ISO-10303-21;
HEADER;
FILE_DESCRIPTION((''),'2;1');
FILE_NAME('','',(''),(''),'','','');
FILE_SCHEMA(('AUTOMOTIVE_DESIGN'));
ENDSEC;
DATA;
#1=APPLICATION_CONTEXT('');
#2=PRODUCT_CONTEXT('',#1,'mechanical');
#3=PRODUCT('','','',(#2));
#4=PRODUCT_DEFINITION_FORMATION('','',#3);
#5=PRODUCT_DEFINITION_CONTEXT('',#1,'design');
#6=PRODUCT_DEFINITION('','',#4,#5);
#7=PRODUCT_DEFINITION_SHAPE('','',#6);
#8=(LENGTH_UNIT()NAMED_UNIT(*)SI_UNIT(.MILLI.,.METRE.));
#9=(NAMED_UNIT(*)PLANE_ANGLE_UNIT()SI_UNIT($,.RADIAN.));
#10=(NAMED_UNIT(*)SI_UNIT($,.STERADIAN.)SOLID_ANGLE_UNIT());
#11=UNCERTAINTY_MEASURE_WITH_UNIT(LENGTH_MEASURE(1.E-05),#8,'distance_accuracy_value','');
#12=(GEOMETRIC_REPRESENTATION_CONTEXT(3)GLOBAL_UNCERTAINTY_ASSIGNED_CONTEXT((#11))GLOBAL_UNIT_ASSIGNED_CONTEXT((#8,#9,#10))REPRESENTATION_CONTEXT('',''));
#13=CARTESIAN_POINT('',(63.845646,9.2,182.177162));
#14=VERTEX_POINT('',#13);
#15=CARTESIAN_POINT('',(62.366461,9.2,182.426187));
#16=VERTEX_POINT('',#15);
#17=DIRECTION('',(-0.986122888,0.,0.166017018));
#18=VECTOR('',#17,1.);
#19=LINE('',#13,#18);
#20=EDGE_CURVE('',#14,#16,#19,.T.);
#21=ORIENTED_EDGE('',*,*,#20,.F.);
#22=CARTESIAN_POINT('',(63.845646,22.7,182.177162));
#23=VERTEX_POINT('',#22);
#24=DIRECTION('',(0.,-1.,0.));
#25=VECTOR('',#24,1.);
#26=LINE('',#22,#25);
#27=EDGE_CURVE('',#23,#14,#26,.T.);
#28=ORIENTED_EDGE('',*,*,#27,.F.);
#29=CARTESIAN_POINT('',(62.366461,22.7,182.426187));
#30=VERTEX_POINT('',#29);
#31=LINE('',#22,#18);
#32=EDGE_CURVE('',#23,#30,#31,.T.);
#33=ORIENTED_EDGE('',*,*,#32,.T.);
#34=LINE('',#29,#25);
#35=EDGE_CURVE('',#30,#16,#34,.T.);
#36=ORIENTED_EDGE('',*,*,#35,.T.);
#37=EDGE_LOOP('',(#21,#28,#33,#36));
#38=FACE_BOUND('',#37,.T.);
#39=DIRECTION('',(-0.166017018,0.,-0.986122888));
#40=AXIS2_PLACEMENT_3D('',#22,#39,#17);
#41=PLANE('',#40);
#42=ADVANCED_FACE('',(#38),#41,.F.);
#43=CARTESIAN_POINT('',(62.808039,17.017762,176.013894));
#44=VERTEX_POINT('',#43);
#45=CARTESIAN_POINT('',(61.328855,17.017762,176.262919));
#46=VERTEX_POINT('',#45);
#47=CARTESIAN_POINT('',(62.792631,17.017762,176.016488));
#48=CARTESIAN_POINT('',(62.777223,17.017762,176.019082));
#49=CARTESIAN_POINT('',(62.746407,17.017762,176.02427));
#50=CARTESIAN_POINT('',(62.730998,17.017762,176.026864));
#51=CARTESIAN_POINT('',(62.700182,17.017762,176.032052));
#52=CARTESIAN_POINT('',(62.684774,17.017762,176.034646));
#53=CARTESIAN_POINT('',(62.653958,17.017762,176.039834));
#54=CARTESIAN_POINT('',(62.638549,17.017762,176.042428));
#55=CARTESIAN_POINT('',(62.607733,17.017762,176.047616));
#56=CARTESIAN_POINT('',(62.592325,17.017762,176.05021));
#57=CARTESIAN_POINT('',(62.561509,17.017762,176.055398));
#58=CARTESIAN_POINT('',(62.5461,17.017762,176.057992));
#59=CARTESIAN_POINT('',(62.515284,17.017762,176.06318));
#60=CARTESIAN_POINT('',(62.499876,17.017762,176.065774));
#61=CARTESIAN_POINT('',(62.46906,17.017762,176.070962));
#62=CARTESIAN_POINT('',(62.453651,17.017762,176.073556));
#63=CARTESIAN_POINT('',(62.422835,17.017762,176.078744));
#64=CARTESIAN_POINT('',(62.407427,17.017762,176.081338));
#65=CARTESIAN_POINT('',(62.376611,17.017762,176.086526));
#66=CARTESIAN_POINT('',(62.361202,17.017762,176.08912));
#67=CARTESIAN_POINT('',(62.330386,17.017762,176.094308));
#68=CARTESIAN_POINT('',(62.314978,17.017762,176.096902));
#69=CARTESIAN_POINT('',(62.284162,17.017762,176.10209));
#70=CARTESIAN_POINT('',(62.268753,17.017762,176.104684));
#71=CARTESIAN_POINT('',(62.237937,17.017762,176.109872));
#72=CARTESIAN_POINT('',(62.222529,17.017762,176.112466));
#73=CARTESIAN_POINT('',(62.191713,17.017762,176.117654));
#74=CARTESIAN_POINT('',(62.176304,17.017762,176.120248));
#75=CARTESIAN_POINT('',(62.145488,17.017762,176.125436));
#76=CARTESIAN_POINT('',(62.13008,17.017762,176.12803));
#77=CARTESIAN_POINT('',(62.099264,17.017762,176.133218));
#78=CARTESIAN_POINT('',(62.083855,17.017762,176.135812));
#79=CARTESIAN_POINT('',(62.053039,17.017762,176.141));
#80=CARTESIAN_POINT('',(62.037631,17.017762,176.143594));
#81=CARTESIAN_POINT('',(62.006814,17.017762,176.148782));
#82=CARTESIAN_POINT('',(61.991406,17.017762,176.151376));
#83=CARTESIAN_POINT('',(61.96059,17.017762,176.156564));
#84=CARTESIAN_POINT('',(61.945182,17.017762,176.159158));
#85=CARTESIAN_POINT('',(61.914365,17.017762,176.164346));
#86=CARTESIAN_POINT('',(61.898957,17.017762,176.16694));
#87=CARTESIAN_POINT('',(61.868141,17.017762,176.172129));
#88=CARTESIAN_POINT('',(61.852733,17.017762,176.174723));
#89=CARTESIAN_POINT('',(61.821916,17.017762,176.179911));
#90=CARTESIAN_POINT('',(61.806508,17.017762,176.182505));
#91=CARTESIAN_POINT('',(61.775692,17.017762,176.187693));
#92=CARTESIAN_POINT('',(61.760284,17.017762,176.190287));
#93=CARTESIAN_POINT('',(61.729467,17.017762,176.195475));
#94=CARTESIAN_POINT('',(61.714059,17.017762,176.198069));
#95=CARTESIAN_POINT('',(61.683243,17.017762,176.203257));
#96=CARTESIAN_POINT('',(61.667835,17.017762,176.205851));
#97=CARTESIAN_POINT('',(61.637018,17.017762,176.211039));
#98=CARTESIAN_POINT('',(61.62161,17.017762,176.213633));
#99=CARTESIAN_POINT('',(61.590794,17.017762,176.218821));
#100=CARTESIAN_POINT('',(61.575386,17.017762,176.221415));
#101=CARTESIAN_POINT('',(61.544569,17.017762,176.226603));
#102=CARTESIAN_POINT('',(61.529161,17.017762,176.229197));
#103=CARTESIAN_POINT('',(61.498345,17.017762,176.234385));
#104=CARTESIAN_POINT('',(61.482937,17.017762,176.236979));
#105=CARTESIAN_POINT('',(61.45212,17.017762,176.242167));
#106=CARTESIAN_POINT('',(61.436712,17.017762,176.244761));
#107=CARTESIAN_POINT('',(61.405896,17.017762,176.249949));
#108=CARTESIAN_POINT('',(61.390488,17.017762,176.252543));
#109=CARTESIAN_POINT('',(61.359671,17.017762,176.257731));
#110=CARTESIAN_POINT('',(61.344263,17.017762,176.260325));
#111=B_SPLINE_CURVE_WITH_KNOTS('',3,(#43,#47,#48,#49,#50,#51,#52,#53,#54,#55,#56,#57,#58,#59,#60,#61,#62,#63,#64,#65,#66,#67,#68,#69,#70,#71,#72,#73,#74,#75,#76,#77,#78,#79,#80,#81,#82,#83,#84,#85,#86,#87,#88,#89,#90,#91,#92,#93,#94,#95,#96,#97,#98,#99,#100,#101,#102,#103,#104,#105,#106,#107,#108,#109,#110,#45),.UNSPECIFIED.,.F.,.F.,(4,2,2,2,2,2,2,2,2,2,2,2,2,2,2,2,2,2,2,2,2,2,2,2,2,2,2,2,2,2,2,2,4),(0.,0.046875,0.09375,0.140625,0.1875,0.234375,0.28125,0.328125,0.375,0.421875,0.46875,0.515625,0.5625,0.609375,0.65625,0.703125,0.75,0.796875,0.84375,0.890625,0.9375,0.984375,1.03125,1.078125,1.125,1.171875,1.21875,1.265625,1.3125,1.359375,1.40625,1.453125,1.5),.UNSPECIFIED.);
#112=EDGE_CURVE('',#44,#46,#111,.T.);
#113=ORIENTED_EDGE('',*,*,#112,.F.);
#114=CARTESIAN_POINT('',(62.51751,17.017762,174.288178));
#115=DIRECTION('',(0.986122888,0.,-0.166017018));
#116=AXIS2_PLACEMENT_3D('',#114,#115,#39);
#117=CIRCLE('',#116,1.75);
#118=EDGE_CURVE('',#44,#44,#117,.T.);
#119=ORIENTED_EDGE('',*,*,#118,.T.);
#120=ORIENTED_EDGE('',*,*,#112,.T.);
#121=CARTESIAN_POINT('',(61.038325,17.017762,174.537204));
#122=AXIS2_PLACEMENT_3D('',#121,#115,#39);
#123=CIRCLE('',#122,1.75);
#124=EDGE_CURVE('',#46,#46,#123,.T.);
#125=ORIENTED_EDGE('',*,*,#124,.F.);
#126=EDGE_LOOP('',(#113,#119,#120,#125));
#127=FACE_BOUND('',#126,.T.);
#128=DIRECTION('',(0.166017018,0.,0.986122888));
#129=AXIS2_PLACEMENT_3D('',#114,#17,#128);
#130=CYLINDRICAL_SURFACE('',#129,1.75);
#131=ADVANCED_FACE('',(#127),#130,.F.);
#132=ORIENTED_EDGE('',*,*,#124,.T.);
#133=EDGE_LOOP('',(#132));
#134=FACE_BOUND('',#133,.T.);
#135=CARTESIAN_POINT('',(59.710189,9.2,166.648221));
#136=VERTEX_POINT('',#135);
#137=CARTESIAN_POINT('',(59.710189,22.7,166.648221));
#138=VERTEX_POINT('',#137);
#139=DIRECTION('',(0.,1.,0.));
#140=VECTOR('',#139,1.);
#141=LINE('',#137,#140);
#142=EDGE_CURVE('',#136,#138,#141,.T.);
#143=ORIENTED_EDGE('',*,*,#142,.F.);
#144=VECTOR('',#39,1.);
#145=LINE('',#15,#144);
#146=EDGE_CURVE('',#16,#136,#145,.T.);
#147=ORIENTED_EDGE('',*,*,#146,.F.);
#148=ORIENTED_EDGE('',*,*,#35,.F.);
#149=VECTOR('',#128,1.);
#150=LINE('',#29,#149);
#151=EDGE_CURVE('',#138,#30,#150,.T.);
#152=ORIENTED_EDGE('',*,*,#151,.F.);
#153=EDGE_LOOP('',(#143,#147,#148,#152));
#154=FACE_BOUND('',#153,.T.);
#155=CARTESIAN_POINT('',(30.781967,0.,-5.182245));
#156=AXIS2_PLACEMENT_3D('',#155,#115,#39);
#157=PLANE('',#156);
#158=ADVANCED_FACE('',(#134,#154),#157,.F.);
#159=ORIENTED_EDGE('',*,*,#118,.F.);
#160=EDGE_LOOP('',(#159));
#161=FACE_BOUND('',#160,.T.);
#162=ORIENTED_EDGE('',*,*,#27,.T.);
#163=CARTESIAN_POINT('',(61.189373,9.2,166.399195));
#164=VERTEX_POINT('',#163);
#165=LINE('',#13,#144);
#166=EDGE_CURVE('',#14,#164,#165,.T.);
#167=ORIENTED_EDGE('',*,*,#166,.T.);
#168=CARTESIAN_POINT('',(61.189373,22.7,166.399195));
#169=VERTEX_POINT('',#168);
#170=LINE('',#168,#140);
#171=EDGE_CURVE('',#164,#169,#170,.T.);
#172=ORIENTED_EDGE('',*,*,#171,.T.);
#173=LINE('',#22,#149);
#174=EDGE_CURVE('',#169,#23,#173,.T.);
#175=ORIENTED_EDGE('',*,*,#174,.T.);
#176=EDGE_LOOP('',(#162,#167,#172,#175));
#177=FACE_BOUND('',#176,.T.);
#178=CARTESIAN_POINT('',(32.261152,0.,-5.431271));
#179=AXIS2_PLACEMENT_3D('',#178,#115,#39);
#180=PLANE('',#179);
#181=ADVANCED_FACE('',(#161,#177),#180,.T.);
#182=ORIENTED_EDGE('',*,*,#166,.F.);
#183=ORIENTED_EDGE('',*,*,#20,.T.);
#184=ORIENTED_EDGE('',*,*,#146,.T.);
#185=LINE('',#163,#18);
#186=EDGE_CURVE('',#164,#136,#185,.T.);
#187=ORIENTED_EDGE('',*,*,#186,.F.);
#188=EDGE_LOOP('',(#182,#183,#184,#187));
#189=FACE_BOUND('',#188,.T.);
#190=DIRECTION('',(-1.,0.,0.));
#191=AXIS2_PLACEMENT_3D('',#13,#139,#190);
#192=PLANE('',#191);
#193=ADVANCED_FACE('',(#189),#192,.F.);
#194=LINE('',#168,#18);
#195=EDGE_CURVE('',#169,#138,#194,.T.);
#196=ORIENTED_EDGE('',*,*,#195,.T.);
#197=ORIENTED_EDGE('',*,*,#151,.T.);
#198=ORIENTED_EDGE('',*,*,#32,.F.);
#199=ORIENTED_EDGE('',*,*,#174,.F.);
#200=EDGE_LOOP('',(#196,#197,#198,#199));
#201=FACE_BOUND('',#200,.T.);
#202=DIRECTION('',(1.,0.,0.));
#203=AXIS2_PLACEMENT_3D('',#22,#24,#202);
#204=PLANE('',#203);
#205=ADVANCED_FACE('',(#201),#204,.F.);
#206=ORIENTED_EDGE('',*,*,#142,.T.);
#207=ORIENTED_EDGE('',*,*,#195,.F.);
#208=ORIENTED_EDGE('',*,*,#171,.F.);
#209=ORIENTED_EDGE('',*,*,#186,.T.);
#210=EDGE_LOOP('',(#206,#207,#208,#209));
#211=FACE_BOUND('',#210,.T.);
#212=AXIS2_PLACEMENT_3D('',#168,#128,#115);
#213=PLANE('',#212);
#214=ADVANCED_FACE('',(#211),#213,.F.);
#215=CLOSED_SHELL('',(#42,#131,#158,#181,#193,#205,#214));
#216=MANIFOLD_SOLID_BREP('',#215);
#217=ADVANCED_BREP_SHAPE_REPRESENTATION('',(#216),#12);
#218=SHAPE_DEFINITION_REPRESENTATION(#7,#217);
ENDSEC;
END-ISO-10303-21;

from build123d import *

# Parameters (mm, degrees)
CROQUIS1_W              = 16
CROQUIS1_H              = 13.5
CROQUIS1_R              = 1.75
SALIENTE_EXTRUIR1_DEPTH = 1.5


with BuildPart() as part:
    # Croquis1 → Saliente-Extruir1 (new body)
    with BuildSketch(Plane(origin=(30.78196743, 0, -5.182245024), x_dir=(-0.16601701758574913, 0, -0.9861228878146644), z_dir=(0.9861228878146644, 0, -0.16601701758574913))):
        with Locations((-182.248532362, 15.95)):
            Rectangle(CROQUIS1_W, CROQUIS1_H)
        with Locations(Location((-182.248532362, 17.017761633, 0), (0, 0, 180))):
            Circle(CROQUIS1_R, mode=Mode.SUBTRACT)
    extrude(amount=SALIENTE_EXTRUIR1_DEPTH)


solid = part.part
